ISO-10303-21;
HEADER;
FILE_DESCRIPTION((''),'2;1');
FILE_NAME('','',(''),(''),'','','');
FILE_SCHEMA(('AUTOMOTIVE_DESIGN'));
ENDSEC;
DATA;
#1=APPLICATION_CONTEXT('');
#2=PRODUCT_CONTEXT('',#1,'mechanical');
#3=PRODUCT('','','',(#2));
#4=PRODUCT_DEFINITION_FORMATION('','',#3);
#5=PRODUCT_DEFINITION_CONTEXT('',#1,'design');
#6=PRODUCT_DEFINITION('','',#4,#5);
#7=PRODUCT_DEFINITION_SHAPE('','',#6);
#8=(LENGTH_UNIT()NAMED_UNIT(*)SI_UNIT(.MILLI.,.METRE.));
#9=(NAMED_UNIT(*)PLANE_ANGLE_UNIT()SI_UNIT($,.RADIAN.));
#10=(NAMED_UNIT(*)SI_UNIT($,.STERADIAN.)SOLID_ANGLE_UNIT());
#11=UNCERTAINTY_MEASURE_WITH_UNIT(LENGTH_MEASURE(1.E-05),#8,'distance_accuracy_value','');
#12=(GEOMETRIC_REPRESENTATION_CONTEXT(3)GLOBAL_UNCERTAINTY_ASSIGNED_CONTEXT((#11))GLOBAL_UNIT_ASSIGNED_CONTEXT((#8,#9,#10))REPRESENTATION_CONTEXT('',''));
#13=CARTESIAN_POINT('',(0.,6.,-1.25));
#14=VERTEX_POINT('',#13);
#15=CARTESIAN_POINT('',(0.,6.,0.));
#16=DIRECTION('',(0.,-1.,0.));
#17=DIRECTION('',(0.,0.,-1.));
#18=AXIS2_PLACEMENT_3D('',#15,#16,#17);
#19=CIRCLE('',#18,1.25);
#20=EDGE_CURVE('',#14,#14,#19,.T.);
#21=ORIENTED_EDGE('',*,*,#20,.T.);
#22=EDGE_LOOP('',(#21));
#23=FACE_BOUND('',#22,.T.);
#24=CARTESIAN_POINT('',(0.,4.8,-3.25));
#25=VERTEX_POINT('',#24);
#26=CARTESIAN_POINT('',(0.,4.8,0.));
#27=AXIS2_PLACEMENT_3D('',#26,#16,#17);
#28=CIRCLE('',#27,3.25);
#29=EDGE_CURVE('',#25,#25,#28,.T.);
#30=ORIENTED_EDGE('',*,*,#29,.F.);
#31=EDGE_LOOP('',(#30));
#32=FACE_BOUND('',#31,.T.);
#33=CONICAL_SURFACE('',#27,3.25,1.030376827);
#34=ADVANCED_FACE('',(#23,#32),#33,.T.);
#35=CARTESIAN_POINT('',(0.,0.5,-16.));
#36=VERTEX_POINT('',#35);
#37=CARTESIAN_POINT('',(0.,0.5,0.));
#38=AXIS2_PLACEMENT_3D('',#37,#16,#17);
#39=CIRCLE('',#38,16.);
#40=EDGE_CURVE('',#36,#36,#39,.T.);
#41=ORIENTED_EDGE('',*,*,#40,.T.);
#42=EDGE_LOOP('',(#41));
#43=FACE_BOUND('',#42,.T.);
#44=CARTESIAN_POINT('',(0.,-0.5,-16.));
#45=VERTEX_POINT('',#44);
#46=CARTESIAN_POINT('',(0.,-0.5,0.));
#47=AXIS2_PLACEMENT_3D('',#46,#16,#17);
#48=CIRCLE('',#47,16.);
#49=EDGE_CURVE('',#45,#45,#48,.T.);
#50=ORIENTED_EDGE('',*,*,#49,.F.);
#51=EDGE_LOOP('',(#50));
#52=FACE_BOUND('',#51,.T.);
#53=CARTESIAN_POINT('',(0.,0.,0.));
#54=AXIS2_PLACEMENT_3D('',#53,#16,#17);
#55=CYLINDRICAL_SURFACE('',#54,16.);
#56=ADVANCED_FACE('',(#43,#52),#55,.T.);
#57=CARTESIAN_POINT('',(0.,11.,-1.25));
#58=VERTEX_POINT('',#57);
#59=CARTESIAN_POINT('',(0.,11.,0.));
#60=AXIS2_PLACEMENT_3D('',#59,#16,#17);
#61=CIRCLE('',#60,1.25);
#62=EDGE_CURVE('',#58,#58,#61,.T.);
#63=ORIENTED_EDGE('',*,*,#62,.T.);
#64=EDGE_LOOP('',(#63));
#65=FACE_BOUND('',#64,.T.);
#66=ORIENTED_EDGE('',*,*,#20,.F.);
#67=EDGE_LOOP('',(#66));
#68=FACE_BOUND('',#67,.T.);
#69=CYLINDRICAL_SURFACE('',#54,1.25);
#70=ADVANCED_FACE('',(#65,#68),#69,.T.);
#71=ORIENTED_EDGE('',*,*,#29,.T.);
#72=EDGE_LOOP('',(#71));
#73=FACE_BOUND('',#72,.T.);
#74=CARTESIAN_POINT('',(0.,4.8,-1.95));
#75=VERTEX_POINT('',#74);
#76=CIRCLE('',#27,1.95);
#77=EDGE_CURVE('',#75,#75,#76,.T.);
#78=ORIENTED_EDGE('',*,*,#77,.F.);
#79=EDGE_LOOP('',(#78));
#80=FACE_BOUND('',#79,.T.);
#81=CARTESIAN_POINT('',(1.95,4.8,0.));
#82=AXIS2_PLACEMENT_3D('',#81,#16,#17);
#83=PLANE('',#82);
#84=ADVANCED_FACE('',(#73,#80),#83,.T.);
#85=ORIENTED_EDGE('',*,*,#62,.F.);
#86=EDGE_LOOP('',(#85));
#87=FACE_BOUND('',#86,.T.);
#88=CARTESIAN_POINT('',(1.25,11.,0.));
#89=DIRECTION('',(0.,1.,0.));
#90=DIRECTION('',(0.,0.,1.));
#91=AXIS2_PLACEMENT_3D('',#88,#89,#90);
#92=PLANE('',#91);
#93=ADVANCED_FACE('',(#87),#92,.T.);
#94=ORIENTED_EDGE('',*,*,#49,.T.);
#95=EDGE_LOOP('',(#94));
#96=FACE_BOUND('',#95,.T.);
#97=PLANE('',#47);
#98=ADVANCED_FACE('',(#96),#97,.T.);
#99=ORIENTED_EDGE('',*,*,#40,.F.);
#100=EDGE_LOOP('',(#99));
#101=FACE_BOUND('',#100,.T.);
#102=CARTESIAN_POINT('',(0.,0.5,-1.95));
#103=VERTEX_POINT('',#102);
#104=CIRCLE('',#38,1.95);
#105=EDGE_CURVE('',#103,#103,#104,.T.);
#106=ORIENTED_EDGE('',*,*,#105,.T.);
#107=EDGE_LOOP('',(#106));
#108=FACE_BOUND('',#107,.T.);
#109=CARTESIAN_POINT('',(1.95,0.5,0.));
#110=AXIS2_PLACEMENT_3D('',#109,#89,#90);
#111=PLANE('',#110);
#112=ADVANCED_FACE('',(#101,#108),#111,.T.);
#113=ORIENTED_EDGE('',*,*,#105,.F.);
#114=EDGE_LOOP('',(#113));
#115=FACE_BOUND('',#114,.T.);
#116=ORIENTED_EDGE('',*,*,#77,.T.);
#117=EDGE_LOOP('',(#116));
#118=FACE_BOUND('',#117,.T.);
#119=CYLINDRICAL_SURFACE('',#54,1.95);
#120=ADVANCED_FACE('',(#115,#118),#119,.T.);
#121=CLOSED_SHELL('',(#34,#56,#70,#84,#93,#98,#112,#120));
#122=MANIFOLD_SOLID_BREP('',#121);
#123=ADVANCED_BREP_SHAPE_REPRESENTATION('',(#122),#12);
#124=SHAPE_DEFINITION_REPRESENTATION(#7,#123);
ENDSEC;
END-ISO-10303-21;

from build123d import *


with BuildPart() as part:
    # Sketch1 → Revolve1 (revolve)
    with BuildSketch(Plane.XY):
        Polygon((1.95, 0.5), (1.95, 4.8), (3.25, 4.8), (1.25, 6), (1.25, 11), (0, 11), (0, -0.5), (16, -0.5), (16, 0.5), align=None)
    revolve(axis=Axis((0, 0, 0), (0, 1, 0)))


solid = part.part
